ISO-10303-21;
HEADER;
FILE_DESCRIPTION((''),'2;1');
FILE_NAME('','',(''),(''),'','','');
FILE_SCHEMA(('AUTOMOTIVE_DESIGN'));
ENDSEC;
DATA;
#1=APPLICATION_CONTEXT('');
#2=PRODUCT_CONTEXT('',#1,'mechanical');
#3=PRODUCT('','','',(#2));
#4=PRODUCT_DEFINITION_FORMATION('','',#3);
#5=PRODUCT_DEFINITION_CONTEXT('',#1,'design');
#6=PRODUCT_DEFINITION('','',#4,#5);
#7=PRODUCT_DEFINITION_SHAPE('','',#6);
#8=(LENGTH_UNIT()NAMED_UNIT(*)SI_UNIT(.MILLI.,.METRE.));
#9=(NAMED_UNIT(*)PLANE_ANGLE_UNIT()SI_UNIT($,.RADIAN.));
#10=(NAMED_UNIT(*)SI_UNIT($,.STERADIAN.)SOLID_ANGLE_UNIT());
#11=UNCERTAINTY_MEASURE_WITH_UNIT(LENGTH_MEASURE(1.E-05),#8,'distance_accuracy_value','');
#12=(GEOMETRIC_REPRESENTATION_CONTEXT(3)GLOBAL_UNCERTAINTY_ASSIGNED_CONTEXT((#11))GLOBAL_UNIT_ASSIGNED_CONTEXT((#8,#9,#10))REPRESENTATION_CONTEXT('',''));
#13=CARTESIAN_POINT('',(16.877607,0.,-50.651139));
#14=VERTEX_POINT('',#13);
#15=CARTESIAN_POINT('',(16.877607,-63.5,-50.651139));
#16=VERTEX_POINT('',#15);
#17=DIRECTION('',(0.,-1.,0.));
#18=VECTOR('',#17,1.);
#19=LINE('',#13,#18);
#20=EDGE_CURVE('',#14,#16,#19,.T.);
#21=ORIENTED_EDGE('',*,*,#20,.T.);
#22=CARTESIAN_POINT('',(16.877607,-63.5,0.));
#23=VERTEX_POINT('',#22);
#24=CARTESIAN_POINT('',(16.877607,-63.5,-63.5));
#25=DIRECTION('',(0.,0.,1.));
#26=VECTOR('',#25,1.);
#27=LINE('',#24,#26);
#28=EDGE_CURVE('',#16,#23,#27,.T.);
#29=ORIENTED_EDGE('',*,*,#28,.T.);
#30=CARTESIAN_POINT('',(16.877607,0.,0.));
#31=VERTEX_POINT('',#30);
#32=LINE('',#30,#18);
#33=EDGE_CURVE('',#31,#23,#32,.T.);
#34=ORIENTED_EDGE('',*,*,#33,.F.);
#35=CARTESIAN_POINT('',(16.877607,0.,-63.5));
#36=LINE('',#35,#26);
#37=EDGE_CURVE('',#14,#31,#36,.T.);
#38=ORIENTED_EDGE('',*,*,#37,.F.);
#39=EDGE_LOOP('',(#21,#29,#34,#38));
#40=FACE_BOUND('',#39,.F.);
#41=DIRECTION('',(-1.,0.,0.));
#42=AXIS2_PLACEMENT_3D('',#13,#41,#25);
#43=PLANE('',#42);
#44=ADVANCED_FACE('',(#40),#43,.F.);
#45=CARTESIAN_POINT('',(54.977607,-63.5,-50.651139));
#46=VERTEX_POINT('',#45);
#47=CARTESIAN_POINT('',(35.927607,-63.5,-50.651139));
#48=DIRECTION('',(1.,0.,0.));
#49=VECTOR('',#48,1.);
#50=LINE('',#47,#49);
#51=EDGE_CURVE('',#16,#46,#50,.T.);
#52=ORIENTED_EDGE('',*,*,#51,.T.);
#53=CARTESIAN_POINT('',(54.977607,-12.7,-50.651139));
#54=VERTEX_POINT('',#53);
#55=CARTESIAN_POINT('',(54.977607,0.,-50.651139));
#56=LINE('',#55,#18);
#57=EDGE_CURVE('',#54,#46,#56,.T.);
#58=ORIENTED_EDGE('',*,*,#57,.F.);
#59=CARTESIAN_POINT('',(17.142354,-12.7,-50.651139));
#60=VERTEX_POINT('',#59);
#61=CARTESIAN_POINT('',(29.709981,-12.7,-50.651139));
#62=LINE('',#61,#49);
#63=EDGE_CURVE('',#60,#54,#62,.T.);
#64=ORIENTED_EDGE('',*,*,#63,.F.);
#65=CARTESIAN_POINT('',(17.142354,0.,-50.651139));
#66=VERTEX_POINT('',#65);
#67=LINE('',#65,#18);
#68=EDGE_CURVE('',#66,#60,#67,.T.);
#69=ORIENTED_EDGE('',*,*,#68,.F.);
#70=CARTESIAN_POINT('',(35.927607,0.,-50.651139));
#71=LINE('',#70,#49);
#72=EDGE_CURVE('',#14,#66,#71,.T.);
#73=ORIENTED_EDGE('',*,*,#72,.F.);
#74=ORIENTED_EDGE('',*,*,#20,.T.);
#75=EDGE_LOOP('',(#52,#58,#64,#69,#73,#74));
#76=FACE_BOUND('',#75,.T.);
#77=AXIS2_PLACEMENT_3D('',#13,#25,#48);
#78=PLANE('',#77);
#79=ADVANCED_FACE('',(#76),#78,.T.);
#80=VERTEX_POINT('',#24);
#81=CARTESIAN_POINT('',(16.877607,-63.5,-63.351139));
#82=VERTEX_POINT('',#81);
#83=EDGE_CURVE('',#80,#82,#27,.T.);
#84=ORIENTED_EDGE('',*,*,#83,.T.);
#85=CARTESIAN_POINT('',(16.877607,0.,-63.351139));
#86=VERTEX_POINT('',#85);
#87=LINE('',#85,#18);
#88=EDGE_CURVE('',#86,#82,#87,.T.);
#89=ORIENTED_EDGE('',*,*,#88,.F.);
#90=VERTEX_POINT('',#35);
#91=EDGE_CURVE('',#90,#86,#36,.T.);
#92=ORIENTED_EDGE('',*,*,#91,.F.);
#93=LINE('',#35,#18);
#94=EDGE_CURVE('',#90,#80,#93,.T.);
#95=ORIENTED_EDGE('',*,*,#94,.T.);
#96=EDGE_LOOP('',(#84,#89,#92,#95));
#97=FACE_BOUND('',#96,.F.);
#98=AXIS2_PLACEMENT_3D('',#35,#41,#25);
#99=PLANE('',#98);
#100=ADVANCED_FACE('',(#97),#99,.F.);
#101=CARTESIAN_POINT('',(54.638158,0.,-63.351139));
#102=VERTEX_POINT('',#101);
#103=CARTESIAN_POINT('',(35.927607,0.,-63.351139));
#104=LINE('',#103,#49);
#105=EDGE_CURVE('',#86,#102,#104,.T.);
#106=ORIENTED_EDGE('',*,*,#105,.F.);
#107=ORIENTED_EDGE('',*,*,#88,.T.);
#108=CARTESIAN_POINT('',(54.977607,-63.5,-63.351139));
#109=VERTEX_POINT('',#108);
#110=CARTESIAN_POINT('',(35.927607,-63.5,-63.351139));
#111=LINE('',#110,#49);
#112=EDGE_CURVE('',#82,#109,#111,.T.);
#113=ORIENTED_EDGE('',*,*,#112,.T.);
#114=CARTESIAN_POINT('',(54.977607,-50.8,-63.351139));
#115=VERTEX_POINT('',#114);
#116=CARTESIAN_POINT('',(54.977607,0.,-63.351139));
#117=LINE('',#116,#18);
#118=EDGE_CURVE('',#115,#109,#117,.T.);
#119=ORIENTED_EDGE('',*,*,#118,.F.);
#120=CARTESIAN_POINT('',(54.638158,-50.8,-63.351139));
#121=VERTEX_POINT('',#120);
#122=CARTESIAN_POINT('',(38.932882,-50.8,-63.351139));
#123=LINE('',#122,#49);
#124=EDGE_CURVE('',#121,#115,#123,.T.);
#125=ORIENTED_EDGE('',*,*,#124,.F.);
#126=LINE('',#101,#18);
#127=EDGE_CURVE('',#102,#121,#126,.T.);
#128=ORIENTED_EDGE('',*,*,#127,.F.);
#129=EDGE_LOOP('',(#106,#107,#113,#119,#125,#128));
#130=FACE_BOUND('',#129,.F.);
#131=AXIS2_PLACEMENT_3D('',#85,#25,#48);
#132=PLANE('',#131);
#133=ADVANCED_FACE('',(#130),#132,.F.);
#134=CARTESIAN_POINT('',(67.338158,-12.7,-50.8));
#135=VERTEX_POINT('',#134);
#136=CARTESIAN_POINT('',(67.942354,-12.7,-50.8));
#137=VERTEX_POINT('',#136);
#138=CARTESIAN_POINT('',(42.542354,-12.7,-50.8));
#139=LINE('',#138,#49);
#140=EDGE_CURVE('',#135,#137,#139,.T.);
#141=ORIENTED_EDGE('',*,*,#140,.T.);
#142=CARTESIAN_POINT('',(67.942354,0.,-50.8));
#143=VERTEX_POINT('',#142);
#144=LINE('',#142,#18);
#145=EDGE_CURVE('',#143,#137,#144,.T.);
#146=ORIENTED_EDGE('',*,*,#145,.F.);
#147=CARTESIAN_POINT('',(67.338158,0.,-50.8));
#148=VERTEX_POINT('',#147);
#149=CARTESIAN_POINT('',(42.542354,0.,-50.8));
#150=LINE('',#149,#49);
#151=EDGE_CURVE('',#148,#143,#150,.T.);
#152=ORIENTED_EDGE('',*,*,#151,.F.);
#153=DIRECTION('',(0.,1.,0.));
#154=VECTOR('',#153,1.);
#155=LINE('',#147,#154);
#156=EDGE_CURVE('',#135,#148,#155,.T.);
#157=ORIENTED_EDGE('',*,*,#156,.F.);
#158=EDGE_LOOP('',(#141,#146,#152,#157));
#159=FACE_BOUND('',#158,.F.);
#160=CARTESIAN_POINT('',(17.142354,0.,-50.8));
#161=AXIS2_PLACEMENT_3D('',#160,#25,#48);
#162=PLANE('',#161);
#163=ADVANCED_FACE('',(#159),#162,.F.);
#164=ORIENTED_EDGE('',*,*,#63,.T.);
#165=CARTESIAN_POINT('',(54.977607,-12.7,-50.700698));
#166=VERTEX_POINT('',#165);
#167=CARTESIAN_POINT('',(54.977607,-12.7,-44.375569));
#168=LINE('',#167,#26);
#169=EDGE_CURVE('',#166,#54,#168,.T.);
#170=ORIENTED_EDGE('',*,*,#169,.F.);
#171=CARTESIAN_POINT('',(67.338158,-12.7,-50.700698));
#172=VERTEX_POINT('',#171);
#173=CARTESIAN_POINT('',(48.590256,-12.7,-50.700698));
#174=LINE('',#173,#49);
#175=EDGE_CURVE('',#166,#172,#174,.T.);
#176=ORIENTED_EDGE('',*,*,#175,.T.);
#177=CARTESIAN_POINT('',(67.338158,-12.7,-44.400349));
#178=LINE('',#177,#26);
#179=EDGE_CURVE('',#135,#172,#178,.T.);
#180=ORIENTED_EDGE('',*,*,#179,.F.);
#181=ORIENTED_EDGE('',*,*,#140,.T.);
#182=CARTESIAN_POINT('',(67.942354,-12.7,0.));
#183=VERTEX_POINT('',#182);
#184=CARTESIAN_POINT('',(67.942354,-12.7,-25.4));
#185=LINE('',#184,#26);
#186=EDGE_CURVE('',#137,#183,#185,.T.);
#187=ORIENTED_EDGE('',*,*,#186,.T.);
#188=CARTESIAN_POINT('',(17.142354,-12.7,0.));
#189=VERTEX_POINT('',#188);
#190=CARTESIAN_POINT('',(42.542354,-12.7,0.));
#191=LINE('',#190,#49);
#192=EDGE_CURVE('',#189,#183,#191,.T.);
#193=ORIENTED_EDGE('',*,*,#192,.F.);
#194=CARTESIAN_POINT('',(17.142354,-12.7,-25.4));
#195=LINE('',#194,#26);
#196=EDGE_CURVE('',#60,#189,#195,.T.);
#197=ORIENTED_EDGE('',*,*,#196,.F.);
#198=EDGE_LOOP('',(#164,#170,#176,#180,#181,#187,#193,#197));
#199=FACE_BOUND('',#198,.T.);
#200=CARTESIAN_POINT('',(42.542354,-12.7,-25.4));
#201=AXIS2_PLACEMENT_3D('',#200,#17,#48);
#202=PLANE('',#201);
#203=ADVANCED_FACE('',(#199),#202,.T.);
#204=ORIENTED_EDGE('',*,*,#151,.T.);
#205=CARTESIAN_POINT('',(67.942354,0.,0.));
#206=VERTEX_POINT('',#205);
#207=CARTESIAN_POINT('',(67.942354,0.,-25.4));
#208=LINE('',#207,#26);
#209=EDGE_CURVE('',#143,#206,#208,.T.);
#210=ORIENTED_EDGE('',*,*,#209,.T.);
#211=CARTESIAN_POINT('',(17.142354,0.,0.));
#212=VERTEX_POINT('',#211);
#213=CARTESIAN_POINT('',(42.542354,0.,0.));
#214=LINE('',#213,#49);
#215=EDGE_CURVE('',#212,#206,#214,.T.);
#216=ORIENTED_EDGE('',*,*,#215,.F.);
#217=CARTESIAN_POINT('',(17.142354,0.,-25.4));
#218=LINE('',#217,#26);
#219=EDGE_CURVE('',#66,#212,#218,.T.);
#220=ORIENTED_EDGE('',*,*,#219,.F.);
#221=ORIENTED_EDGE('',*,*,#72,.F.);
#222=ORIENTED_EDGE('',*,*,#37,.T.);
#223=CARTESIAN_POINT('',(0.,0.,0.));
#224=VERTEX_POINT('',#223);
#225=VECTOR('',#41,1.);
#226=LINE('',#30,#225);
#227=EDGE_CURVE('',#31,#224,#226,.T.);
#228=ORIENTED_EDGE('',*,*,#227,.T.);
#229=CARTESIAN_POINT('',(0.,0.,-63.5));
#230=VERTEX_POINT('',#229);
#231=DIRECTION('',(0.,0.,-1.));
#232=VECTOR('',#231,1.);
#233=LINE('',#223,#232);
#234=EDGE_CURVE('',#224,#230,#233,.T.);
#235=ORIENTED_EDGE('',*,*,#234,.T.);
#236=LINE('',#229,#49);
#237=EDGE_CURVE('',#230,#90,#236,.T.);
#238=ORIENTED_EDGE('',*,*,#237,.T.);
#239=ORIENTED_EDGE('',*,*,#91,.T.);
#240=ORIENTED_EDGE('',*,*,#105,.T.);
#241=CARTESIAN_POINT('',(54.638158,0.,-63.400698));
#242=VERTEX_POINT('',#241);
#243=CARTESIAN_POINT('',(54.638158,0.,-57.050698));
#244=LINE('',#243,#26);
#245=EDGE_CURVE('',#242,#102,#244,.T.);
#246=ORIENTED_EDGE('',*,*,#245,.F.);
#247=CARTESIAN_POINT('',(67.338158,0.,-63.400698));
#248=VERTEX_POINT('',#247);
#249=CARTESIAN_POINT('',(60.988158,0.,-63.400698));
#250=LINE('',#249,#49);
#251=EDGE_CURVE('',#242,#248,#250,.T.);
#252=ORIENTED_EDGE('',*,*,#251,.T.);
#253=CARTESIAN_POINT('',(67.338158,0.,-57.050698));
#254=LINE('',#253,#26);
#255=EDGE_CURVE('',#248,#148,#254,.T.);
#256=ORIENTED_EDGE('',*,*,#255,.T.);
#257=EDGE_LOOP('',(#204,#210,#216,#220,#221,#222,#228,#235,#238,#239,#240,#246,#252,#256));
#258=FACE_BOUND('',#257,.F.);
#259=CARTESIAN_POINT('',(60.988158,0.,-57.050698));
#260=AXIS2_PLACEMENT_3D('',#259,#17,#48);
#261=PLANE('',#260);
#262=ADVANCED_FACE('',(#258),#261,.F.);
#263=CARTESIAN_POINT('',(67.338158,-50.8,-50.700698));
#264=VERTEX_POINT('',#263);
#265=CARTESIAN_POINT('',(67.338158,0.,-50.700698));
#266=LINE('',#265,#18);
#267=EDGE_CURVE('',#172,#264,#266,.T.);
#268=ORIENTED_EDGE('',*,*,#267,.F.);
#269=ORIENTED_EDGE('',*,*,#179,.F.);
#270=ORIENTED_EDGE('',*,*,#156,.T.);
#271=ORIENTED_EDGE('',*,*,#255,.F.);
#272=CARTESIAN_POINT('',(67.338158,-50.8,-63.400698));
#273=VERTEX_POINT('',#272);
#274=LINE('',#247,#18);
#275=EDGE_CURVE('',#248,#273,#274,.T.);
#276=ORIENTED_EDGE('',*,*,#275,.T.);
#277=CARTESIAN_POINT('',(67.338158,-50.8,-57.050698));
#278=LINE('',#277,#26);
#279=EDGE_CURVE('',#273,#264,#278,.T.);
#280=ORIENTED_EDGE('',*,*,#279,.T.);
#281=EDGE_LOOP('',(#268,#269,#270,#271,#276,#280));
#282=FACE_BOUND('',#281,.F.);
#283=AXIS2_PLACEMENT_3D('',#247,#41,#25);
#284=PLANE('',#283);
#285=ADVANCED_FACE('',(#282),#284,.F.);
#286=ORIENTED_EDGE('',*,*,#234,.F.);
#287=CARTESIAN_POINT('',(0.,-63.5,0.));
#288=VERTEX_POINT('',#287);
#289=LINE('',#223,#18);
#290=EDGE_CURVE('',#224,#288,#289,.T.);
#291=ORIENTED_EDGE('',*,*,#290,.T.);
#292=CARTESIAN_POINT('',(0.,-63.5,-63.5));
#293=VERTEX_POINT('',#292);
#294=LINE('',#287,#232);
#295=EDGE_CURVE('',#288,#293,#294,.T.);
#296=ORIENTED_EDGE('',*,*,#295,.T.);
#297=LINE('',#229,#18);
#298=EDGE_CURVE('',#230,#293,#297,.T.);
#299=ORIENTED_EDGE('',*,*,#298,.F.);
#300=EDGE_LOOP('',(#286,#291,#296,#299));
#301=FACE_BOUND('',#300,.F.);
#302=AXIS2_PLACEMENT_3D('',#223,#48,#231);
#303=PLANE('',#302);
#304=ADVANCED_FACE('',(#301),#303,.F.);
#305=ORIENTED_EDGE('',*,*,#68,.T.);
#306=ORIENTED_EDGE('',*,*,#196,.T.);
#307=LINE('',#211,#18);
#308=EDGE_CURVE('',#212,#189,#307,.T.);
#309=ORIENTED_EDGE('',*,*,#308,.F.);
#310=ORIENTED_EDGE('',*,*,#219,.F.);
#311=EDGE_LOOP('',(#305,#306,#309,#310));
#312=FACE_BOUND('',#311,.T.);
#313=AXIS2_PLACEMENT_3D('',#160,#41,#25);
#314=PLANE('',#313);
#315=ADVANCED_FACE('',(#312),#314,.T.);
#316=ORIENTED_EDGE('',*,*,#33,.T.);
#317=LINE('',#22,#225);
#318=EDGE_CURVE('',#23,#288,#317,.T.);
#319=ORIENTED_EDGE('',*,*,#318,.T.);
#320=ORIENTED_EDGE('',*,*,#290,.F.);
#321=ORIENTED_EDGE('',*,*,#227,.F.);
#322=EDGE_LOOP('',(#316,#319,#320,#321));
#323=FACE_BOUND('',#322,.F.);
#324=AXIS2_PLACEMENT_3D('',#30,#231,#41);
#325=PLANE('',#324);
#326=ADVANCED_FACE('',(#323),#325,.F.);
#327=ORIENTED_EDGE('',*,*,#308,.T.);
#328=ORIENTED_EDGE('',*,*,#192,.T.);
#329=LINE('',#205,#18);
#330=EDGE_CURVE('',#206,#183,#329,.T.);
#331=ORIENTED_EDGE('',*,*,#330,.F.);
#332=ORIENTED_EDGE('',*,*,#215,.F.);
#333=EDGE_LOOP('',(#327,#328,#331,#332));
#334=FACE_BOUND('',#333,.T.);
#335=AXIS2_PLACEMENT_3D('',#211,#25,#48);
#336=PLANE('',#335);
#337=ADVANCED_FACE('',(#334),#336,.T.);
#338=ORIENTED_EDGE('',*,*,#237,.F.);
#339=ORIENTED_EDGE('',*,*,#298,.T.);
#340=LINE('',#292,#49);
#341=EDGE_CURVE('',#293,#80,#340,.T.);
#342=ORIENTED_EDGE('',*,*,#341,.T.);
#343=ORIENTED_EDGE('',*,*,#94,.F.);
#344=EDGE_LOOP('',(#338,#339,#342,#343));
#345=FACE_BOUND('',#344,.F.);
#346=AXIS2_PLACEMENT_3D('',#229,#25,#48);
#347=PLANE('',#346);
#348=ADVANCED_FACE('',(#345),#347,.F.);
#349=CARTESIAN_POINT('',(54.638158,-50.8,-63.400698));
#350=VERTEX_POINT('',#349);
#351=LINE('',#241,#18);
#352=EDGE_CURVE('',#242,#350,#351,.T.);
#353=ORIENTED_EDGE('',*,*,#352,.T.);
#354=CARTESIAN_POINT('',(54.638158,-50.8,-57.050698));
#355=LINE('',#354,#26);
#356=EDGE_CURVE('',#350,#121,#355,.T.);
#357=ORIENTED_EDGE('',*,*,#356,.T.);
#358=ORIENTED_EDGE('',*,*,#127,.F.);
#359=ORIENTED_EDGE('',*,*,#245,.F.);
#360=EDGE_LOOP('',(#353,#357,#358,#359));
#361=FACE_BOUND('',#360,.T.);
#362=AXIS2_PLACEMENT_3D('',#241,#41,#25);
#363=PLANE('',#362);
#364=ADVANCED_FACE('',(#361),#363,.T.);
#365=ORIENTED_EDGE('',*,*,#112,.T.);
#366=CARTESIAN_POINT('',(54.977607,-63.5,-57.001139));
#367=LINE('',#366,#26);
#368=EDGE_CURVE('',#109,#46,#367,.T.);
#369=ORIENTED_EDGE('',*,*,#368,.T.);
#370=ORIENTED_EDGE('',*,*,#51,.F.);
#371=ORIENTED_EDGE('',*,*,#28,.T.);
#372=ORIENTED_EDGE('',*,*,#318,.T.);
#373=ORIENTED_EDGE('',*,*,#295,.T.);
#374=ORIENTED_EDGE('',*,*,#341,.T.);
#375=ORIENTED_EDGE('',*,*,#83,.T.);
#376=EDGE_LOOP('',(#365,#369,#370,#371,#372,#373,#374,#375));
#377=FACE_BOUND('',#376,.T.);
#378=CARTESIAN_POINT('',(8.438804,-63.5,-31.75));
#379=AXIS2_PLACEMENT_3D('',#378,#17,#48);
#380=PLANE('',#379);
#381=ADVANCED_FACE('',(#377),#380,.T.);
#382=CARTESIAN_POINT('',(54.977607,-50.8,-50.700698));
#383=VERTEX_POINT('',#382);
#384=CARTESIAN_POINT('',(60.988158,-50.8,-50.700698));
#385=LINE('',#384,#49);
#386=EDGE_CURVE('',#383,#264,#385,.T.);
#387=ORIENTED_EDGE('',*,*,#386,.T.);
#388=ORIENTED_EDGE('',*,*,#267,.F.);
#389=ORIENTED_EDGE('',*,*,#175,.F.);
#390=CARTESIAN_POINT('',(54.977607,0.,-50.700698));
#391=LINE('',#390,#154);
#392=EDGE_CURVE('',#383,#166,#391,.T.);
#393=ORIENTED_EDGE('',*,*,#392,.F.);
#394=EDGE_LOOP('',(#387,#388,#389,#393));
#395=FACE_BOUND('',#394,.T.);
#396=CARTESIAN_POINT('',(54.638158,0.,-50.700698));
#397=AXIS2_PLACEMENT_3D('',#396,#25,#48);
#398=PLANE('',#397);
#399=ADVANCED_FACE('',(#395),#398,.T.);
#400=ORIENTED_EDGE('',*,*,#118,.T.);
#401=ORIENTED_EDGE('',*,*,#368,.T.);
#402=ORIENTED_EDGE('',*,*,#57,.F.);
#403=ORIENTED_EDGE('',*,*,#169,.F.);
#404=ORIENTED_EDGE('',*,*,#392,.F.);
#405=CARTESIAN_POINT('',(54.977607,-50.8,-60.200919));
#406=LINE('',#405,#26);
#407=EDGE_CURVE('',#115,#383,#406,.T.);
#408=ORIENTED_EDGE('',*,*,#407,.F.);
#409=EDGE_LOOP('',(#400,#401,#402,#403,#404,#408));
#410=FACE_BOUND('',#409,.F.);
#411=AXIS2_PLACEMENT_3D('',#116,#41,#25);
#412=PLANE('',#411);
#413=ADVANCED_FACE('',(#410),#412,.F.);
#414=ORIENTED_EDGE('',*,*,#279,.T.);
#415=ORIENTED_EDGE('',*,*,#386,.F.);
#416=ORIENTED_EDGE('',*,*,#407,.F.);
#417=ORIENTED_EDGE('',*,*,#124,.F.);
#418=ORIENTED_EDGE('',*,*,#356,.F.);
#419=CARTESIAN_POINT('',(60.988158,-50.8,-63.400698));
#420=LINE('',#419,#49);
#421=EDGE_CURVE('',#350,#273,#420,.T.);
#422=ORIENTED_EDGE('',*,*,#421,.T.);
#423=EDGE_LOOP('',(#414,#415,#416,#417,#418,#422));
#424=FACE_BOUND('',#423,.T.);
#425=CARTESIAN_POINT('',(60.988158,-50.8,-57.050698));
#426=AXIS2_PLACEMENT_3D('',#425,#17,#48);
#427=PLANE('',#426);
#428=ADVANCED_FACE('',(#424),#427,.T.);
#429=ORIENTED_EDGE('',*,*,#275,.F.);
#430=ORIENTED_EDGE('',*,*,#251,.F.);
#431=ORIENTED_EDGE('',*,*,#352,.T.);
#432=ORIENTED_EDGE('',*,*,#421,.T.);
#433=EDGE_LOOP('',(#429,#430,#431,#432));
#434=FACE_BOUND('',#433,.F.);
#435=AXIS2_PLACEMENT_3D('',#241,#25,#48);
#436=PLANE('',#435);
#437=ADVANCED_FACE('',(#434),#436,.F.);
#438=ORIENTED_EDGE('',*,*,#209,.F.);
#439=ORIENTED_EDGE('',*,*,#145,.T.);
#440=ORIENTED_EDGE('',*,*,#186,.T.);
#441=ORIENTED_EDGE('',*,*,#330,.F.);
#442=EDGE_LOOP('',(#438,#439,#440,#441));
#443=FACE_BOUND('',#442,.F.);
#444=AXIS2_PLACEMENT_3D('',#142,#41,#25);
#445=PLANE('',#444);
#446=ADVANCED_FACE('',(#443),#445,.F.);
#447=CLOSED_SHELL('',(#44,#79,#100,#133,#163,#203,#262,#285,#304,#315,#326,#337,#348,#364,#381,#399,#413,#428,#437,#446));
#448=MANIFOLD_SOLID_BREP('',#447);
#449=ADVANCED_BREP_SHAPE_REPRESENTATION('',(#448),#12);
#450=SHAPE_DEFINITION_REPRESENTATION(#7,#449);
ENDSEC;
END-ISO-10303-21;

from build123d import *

# Parameters (mm, degrees)
F0_W     = 38.1
F0_H     = 12.7
F1_DEPTH = 63.5
F2_W     = 10.787756
F2_H     = 12.239977
F3_DEPTH = 25.4
F5_W     = 12.7
F5_H     = 12.7
F6_DEPTH = 50.8
F7_W     = 50.8
F7_H     = 50.8
F8_DEPTH = 12.7


with BuildPart() as f1:
    # F0 (on Front) → F1 (new body)
    with BuildSketch(Plane.XZ):
        Polygon((16.877607, 0), (0, 0), (0, -63.5), (16.877607, -63.5), (16.877607, -63.351139), (16.877607, -50.651139), align=None)
        with Locations((35.927607, -57.001139)):
            Rectangle(F0_W, F0_H)
    extrude(amount=F1_DEPTH)

    # F5 (on Front) → F6 (join)
    with BuildSketch(Plane.XZ):
        with Locations((60.988158, -57.050698)):
            Rectangle(F5_W, F5_H)
    extrude(amount=F6_DEPTH)

    # F7 (on Front) → F8 (join)
    with BuildSketch(Plane.XZ):
        with Locations((42.542354, -25.4)):
            Rectangle(F7_W, F7_H)
    extrude(amount=F8_DEPTH)


with BuildPart() as f3:
    # F2 (on Front) → F3 (new body)
    with BuildSketch(Plane.XZ):
        with Locations((60.992375, -56.739516)):
            Rectangle(F2_W, F2_H)
    extrude(amount=F3_DEPTH)


solid = f1.part
